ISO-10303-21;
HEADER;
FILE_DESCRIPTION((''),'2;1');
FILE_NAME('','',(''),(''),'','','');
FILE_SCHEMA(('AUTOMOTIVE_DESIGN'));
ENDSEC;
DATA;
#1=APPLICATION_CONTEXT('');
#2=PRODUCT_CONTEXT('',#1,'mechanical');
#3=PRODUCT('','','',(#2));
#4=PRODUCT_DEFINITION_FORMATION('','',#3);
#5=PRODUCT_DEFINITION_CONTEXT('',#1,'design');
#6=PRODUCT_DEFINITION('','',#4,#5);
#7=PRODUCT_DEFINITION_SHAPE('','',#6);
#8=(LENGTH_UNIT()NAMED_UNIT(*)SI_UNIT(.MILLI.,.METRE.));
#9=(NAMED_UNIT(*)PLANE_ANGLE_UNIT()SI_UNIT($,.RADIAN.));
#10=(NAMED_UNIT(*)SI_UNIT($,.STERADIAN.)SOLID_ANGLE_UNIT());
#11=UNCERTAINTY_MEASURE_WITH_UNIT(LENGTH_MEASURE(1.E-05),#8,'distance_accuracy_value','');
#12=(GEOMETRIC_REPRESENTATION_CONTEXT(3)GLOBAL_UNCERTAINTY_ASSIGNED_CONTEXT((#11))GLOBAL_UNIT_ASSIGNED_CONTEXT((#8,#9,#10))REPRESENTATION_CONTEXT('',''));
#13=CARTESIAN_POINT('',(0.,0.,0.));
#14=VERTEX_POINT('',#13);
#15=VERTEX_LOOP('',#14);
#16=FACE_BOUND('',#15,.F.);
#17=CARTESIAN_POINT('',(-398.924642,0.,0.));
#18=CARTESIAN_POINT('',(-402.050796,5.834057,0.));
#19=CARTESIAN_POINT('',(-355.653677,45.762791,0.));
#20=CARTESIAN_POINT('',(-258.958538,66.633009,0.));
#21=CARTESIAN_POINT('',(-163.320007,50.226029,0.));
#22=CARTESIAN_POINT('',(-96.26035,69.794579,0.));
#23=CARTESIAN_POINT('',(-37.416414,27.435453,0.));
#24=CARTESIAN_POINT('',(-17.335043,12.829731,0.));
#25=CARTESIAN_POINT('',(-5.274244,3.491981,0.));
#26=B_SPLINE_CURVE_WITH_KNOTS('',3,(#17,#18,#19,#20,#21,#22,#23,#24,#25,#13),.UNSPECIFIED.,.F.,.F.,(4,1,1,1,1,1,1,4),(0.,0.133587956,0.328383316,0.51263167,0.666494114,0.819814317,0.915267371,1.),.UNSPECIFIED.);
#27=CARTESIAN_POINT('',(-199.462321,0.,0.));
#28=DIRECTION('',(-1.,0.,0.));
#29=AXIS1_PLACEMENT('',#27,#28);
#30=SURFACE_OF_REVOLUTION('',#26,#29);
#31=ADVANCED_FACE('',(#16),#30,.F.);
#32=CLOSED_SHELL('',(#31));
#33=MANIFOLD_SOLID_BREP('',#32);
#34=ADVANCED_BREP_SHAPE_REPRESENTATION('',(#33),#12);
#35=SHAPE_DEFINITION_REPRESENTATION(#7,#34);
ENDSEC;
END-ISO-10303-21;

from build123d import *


with BuildPart() as f1:
    # F0 (on Top) → F1 (revolve)
    with BuildSketch(Plane.XY):
        with BuildLine():
            Line((-398.9246424397, 0), (0, 0))
            add(Edge.make_bspline(
                [(-398.9246424397, 0), (-402.0507960836, 5.8340565708), (-355.6536767868, 45.7627906128), (-258.9585375629, 66.633008777), (-163.3200073239, 50.2260290412), (-96.2603495365, 69.794579407), (-37.4164140426, 27.4354530848), (-17.335042702, 12.8297312312), (-5.2742440368, 3.4919810972), (0, 0)],
                knots=[0, 0, 0, 0, 0.1335879565, 0.3283833161, 0.5126316702, 0.6664941143, 0.819814317, 0.9152673713, 1, 1, 1, 1], degree=3))
        make_face()
    revolve(axis=Axis((-199.4623212199, 0, 0), (-1, 0, 0)))


solid = f1.part
